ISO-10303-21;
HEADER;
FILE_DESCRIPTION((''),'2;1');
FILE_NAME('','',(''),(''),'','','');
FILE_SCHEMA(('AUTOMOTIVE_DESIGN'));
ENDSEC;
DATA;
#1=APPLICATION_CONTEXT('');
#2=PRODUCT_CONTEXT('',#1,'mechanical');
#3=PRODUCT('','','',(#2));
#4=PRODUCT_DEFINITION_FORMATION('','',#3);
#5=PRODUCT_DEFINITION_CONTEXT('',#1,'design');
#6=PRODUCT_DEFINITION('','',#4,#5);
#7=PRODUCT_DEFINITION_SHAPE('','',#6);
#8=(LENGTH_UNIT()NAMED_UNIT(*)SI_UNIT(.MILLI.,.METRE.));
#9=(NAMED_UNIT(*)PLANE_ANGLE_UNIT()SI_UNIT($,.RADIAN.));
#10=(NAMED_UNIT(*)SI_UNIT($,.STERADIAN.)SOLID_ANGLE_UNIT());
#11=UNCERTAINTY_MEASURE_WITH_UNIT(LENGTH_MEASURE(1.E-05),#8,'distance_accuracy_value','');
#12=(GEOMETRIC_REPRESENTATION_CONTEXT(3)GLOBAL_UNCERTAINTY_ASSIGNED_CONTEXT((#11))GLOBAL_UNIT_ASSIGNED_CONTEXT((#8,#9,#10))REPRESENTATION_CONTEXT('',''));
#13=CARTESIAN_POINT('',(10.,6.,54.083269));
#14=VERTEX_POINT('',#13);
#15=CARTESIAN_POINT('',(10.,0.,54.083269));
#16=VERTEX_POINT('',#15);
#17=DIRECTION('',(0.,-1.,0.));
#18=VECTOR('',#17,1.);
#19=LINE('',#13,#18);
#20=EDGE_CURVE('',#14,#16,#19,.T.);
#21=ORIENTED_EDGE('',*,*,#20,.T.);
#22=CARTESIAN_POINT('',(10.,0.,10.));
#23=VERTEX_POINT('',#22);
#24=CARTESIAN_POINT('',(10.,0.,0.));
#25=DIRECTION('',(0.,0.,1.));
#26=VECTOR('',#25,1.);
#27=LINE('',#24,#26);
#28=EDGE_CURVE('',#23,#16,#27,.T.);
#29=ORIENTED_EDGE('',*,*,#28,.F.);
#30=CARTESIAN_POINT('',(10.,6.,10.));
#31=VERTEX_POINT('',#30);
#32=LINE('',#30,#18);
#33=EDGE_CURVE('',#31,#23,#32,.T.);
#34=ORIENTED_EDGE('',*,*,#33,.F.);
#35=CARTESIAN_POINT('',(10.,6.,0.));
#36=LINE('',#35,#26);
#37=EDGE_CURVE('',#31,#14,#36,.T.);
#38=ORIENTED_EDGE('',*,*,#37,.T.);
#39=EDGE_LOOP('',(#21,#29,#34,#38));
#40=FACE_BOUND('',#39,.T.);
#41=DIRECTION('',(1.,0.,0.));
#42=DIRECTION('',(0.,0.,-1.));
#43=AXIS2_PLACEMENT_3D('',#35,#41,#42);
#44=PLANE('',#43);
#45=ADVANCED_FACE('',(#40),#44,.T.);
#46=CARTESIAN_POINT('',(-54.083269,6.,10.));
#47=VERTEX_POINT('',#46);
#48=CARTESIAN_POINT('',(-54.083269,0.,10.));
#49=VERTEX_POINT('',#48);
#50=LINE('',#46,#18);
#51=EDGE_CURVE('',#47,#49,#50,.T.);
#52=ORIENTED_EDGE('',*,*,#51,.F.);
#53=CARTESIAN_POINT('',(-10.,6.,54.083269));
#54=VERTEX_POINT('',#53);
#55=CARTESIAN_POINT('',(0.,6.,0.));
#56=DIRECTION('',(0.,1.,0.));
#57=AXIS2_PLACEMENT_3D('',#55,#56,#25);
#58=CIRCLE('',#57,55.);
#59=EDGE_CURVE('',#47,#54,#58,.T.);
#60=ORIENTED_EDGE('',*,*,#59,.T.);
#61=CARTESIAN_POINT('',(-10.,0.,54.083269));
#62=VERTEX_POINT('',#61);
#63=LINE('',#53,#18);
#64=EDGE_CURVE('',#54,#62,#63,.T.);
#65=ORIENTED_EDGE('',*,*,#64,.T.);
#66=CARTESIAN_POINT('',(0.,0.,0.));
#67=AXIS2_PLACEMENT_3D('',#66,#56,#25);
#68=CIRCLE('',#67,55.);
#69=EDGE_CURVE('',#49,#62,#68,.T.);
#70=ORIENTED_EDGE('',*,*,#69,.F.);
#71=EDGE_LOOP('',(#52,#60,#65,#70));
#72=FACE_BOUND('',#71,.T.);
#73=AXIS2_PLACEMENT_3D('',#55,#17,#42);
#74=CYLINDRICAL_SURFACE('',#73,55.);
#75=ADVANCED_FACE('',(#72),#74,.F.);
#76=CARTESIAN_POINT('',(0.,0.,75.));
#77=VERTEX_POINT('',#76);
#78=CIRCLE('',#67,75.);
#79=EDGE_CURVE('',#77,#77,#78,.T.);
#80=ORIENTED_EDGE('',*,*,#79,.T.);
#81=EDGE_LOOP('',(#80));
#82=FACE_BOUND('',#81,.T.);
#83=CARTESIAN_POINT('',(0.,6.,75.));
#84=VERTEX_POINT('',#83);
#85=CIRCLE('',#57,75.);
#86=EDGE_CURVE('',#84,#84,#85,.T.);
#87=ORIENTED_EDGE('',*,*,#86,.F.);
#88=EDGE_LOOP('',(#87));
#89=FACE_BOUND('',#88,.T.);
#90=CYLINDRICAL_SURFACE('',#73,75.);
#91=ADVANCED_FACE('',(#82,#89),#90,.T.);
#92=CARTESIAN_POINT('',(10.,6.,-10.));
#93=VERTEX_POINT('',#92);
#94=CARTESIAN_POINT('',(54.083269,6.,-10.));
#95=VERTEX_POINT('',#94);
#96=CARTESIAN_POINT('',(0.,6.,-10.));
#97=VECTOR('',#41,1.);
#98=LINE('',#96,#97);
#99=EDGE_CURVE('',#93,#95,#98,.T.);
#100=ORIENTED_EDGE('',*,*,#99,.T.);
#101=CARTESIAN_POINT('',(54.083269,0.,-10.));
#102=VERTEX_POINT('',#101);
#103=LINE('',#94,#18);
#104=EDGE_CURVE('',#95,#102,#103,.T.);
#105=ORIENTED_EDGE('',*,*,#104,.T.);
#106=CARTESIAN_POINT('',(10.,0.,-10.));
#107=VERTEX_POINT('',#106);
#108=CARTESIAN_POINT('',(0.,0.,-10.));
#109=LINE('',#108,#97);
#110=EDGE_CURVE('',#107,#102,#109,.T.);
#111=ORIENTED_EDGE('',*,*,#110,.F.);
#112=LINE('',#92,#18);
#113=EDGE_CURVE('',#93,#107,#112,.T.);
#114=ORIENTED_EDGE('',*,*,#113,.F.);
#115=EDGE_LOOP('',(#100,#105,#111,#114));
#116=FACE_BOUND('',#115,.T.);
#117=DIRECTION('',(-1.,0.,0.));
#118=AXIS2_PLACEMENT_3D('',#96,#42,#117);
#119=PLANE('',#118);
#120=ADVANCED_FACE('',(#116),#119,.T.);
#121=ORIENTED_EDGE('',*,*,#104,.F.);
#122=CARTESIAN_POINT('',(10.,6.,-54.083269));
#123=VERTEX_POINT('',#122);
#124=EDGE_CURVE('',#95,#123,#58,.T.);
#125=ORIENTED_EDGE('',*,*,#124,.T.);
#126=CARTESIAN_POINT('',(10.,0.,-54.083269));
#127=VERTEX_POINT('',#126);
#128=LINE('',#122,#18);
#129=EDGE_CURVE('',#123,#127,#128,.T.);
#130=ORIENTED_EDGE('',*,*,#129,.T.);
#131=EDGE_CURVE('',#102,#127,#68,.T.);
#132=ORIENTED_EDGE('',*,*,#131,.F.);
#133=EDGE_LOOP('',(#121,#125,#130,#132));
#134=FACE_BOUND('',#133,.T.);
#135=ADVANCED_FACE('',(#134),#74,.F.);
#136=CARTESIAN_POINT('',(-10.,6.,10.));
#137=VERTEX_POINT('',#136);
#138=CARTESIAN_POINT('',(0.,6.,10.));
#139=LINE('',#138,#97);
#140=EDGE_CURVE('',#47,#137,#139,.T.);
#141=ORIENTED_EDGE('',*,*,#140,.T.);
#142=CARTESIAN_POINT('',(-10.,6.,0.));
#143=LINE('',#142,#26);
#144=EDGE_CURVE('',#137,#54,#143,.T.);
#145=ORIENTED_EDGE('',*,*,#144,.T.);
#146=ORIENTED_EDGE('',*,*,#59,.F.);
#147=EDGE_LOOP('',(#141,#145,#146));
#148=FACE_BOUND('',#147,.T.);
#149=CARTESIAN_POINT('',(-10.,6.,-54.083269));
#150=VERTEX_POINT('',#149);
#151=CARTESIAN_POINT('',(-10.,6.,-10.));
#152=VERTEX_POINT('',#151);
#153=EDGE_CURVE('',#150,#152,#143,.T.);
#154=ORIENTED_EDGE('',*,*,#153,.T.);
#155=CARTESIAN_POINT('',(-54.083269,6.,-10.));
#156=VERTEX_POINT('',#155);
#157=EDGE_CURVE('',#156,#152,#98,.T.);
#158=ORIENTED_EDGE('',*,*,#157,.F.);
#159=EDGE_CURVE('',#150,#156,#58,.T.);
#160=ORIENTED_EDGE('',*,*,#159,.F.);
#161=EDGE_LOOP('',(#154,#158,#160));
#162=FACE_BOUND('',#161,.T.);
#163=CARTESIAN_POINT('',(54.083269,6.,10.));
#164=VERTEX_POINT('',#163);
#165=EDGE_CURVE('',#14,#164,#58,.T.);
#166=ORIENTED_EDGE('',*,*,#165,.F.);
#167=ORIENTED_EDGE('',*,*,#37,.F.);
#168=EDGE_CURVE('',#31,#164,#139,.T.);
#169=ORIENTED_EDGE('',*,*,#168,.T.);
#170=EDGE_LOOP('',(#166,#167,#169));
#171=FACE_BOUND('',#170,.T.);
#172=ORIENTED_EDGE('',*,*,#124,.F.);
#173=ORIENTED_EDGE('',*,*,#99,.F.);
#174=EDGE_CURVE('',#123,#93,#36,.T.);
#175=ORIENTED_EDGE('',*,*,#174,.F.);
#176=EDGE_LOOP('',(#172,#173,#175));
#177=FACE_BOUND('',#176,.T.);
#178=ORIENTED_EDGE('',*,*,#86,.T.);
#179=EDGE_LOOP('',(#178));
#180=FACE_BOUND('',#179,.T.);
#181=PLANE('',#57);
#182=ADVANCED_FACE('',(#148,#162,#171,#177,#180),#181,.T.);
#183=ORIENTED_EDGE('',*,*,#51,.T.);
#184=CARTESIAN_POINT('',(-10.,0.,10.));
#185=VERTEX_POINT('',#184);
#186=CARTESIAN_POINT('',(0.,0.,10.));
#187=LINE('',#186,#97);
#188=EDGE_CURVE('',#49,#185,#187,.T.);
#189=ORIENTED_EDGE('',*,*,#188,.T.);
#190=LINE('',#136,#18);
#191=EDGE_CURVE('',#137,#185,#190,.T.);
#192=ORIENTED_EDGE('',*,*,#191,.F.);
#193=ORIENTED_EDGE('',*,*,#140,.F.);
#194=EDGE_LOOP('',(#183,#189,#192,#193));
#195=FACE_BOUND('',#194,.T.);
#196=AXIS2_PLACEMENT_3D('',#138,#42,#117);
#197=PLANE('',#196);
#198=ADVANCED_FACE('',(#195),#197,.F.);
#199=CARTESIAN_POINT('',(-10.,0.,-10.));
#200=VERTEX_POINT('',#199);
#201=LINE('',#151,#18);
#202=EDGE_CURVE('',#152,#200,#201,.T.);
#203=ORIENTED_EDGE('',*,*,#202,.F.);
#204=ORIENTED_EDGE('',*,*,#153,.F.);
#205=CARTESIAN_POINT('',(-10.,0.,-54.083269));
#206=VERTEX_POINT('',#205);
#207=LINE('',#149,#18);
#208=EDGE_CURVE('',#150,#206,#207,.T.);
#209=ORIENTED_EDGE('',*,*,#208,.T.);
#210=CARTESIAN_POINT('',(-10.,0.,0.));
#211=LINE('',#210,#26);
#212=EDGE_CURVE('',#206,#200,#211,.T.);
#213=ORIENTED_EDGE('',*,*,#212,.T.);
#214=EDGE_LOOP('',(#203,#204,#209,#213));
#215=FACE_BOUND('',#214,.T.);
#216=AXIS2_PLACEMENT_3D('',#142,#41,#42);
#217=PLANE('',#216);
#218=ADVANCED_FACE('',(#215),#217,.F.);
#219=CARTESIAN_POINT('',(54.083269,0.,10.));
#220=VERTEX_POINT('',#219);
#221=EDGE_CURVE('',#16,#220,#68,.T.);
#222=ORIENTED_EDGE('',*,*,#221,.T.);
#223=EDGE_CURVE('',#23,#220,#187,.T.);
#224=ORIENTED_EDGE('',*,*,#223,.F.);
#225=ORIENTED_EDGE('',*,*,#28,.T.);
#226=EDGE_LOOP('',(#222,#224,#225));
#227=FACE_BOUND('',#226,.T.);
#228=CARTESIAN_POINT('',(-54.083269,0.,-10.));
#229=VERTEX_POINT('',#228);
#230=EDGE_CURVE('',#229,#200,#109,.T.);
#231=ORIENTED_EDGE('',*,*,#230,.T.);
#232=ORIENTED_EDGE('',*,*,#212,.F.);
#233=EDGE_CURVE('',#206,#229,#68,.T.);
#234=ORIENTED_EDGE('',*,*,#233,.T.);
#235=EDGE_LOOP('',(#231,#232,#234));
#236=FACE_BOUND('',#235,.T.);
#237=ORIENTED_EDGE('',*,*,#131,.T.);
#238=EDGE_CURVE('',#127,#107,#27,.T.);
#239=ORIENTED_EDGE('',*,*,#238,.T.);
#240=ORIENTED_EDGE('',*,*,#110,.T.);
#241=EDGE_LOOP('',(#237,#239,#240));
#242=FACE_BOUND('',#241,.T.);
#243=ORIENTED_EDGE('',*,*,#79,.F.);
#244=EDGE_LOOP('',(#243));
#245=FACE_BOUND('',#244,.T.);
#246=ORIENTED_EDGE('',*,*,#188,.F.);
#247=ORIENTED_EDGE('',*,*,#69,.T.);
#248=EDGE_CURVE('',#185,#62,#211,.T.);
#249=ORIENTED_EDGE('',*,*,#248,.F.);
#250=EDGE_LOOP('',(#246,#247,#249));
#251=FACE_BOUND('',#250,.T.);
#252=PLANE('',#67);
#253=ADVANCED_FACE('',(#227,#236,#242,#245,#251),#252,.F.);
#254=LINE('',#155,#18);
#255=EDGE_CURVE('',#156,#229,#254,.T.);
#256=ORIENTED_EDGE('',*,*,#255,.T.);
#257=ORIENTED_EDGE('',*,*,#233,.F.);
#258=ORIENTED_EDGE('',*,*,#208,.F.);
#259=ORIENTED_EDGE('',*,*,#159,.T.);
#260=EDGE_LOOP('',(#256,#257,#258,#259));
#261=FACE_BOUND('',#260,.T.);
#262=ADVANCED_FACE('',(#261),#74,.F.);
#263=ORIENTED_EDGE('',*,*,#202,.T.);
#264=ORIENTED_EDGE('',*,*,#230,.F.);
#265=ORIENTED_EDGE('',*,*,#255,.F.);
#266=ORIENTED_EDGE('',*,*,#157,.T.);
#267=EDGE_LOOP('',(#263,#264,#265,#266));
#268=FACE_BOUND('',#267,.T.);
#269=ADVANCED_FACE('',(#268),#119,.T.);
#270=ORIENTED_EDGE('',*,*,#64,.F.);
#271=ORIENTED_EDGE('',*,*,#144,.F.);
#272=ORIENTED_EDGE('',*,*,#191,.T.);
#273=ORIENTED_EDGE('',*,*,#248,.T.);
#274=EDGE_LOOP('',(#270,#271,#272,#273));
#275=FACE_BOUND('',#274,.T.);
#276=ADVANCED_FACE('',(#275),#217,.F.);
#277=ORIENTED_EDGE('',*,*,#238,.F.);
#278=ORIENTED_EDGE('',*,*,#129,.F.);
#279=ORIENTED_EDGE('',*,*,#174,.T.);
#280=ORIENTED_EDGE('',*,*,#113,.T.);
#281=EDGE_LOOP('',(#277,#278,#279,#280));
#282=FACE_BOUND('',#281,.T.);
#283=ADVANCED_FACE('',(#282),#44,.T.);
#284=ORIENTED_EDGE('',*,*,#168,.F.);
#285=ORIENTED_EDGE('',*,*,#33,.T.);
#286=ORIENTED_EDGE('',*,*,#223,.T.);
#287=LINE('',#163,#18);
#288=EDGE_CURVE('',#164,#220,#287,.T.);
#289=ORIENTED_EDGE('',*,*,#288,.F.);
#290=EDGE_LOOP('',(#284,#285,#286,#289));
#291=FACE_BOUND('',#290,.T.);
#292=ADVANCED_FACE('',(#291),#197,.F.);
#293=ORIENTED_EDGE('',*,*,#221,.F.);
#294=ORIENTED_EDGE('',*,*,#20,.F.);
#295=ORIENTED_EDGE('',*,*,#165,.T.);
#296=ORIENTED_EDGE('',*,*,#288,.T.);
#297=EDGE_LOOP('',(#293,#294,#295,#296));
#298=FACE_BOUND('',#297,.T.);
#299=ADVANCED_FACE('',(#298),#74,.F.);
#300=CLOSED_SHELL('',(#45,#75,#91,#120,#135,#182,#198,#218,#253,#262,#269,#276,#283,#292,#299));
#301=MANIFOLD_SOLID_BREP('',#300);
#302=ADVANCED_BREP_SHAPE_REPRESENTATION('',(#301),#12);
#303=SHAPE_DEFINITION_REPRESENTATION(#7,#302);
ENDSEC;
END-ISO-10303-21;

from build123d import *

# Parameters (mm, degrees)
ESBO_O1_R                = 75
RESSALTO_EXTRUS_O1_DEPTH = 6


with BuildPart() as part:
    # Esboço1 → Ressalto-extrusão1 (new body)
    with BuildSketch(Plane(origin=(0, 0, 0), x_dir=(1, 0, 0), z_dir=(0, 1, 0))):
        Circle(ESBO_O1_R)
        with BuildLine():
            Line((-10, 10), (-54.083269132, 10))
            ThreePointArc((-54.083269132, 10), (-38.890872965, 38.890872965), (-10, 54.083269132))
            Line((-10, 54.083269132), (-10, 10))
        make_face(mode=Mode.SUBTRACT)
        with BuildLine():
            Line((-54.083269132, -10), (-10, -10))
            Line((-10, -10), (-10, -54.083269132))
            ThreePointArc((-10, -54.083269132), (-38.890872965, -38.890872965), (-54.083269132, -10))
        make_face(mode=Mode.SUBTRACT)
        with BuildLine():
            ThreePointArc((54.083269132, -10), (38.890872965, -38.890872965), (10, -54.083269132))
            Line((10, -54.083269132), (10, -10))
            Line((10, -10), (54.083269132, -10))
        make_face(mode=Mode.SUBTRACT)
        with BuildLine():
            ThreePointArc((10, 54.083269132), (38.890872965, 38.890872965), (54.083269132, 10))
            Line((54.083269132, 10), (10, 10))
            Line((10, 10), (10, 54.083269132))
        make_face(mode=Mode.SUBTRACT)
    extrude(amount=RESSALTO_EXTRUS_O1_DEPTH)


solid = part.part
